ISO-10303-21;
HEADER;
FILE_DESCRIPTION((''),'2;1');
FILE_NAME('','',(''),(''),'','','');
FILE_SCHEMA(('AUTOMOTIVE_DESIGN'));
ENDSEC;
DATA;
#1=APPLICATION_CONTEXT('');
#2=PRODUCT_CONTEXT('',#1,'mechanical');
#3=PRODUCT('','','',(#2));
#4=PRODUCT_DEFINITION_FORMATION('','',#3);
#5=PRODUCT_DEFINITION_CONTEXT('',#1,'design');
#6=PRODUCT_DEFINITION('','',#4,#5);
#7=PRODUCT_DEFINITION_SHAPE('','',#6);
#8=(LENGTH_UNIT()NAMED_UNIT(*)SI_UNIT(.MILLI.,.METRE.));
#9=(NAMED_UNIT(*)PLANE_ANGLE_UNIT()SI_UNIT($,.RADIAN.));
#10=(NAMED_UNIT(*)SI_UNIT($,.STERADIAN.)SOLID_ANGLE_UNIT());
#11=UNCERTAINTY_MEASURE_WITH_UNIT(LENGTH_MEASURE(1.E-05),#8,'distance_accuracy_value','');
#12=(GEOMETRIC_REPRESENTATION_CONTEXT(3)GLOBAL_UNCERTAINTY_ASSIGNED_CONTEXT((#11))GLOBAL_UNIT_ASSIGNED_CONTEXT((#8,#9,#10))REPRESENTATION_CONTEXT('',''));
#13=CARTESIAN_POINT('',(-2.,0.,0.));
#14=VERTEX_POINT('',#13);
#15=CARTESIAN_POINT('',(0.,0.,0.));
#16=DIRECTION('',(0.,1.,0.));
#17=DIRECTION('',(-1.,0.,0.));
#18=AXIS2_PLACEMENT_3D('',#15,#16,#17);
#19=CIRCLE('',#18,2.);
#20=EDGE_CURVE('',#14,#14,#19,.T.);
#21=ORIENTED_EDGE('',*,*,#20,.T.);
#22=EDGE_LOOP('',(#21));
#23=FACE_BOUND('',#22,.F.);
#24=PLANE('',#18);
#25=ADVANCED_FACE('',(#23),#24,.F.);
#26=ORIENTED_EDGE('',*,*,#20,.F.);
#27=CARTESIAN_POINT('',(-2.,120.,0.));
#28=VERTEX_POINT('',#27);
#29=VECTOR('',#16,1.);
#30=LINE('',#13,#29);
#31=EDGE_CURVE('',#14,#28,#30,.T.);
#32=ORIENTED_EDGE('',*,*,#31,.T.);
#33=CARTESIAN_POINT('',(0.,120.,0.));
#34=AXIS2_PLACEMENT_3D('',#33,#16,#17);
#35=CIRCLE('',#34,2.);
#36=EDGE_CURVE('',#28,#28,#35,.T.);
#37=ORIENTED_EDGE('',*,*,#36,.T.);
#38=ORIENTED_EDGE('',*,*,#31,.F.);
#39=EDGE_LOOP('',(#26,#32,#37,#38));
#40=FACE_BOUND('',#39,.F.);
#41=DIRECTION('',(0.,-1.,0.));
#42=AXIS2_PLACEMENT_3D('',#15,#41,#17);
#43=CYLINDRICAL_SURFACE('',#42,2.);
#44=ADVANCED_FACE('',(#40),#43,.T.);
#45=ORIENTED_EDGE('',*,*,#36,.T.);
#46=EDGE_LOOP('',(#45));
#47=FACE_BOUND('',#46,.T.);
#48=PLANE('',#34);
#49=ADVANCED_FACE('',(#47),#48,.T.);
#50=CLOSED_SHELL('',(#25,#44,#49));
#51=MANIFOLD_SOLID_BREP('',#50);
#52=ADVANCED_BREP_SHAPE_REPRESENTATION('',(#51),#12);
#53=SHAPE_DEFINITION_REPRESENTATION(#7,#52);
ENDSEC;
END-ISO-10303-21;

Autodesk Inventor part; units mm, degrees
ref_plane "YZ Plane" through (0, 0, 0) normal (1, 0, 0) x (0, 1, 0)
ref_plane "XZ Plane" through (0, 0, 0) normal (0, 1, 0) x (-1, 0, 0)
ref_plane "XY Plane" through (0, 0, 0) normal (0, 0, 1) x (1, 0, 0)
sketch "Esquisse1" plane through (0, 0, 0) normal (0, 1, 0) x (-1, 0, 0)
  circle A0 centre (0, 0) radius 2
  dimension "d0" = 4
extrude "Extrusion1" add sketch "Esquisse1" along normal blind 120
properties part number "tige-filletee"
